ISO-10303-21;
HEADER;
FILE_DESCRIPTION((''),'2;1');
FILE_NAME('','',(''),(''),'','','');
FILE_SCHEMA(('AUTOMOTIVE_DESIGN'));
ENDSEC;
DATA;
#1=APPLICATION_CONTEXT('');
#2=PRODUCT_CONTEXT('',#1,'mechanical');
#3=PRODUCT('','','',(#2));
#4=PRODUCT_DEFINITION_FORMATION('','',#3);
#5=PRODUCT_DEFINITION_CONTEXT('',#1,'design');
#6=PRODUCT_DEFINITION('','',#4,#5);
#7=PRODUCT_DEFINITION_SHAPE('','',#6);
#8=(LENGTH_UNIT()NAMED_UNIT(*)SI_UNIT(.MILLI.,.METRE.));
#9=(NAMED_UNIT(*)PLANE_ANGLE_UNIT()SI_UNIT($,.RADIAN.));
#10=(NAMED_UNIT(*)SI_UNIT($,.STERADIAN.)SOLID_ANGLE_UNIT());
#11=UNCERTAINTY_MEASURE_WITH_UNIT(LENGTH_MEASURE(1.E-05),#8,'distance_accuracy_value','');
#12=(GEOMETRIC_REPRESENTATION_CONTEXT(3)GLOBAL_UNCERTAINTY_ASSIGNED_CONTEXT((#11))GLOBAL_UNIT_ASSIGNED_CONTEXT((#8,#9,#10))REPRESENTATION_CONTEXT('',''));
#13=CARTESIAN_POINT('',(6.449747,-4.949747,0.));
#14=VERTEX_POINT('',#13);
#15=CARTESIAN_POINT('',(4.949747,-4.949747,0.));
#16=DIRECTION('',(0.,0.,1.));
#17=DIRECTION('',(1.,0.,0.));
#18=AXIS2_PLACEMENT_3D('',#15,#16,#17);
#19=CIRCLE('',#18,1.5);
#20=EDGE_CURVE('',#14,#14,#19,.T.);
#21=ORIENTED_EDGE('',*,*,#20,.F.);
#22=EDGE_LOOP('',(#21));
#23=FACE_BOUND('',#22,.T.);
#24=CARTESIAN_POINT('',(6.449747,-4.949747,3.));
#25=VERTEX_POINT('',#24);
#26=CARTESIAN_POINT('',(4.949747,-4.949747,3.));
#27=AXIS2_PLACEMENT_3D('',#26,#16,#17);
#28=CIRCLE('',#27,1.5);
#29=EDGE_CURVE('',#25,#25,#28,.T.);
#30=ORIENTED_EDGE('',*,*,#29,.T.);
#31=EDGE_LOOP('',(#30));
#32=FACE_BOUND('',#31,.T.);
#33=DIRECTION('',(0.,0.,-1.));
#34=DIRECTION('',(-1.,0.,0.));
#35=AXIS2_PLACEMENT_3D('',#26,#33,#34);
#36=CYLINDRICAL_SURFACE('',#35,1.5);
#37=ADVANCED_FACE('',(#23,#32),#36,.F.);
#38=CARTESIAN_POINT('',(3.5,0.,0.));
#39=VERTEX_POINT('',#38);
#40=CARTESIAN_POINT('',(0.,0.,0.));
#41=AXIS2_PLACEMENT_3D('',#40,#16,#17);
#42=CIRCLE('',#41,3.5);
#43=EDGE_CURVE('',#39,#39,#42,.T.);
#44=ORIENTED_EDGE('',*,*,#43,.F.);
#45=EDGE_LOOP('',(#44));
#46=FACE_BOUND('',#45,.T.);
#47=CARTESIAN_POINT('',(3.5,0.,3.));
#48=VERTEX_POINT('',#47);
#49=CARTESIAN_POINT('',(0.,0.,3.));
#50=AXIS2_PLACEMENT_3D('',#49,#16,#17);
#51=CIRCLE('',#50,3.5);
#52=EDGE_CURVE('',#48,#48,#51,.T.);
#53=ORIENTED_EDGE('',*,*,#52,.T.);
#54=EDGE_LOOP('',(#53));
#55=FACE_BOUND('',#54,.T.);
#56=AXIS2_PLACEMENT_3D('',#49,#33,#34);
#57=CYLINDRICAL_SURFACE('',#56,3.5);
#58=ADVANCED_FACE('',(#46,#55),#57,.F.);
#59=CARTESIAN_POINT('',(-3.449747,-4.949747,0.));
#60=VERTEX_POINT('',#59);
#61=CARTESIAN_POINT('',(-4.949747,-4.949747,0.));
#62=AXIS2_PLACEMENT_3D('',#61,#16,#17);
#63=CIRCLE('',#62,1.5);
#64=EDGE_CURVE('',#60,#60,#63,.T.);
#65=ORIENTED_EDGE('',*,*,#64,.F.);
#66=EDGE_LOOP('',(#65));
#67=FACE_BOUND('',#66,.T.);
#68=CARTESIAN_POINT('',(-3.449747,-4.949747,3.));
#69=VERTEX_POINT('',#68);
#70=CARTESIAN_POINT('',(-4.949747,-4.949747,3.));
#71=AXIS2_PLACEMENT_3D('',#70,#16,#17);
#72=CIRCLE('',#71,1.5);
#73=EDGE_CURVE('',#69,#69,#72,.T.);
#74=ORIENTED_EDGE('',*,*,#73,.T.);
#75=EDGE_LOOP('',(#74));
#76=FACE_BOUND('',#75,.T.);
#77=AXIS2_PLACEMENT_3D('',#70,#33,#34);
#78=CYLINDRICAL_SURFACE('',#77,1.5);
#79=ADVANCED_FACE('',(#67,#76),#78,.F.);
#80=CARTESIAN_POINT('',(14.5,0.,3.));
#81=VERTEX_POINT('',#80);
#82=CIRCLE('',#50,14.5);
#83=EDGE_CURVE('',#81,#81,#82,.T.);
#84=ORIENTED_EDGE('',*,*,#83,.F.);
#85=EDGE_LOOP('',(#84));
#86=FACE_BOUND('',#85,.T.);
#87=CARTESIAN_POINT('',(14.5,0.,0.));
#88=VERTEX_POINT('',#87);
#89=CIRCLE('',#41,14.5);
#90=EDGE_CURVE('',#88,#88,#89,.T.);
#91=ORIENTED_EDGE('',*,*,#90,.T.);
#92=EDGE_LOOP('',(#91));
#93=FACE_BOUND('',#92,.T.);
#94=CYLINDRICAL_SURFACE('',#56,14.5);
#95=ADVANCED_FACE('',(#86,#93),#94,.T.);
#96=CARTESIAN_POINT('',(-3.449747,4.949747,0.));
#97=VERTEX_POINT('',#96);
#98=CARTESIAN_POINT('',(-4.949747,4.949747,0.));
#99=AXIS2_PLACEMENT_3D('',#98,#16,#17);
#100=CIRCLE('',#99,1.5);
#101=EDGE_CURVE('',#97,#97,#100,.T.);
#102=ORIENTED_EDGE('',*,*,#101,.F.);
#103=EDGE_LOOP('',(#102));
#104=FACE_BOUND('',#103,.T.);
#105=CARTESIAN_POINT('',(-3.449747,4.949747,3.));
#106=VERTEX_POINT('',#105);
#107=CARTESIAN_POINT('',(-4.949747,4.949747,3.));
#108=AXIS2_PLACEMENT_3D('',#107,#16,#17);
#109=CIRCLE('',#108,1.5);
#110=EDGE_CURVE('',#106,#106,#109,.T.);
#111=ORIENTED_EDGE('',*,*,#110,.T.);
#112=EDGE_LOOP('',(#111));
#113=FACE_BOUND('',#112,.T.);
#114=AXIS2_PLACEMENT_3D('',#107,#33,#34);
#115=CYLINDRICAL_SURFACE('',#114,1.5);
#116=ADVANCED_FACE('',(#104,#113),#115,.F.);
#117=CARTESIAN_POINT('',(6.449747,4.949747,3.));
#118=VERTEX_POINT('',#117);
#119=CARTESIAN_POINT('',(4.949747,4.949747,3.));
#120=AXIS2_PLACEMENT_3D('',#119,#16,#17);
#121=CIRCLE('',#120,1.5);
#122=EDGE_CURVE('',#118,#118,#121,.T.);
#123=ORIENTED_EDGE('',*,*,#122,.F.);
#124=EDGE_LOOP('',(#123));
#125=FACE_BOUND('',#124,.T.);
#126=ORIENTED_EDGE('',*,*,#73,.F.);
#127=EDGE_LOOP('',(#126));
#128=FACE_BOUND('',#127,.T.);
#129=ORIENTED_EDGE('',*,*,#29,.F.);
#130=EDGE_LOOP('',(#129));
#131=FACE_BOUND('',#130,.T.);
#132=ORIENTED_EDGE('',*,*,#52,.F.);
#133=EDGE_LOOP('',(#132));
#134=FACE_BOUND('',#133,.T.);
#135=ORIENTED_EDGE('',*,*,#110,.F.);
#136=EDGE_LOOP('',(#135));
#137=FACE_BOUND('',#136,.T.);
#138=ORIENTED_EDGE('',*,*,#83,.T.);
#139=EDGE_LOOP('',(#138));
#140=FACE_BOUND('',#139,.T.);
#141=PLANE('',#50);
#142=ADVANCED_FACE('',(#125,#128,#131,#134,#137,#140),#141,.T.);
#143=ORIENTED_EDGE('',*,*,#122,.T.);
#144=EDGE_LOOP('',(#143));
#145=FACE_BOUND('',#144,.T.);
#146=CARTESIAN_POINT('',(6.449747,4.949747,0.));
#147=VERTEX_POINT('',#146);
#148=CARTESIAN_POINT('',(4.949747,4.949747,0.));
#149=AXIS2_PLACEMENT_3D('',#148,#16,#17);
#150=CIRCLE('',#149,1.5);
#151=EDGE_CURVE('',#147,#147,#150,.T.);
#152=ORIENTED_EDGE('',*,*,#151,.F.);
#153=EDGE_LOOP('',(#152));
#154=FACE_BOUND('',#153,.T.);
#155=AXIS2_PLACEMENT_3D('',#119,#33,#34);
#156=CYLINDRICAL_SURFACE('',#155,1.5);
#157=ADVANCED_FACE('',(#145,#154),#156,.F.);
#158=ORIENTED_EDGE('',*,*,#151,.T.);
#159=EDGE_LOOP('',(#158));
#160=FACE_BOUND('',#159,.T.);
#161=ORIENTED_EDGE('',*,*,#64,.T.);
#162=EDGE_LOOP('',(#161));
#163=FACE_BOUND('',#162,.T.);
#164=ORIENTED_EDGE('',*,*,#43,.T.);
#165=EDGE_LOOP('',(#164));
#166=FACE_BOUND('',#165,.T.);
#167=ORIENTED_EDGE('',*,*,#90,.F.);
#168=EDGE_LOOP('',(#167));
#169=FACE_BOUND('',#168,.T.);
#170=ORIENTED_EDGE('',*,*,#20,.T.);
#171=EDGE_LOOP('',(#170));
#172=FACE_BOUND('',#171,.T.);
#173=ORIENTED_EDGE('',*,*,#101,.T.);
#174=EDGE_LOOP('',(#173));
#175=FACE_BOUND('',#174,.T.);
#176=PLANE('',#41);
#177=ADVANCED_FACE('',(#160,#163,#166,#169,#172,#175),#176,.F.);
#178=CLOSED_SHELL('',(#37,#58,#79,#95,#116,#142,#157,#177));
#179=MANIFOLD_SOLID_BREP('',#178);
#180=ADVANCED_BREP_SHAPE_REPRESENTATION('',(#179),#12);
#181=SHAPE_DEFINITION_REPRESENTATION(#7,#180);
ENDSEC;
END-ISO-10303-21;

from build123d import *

# Parameters (mm, degrees)
SKETCH1_R           = 14.5
SKETCH1_R_2         = 3.5
SKETCH1_R_3         = 1.5
BOSS_EXTRUDE1_DEPTH = 3


with BuildPart() as part:
    # Sketch1 → Boss-Extrude1 (new body)
    with BuildSketch(Plane.XY):
        Circle(SKETCH1_R)
        Circle(SKETCH1_R_2, mode=Mode.SUBTRACT)
        with Locations((-4.949747468, 4.949747468)):
            Circle(SKETCH1_R_3, mode=Mode.SUBTRACT)
        with Locations((4.949747468, 4.949747468)):
            Circle(SKETCH1_R_3, mode=Mode.SUBTRACT)
        with Locations((4.949747468, -4.949747468)):
            Circle(SKETCH1_R_3, mode=Mode.SUBTRACT)
        with Locations((-4.949747468, -4.949747468)):
            Circle(SKETCH1_R_3, mode=Mode.SUBTRACT)
    extrude(amount=BOSS_EXTRUDE1_DEPTH)


solid = part.part
